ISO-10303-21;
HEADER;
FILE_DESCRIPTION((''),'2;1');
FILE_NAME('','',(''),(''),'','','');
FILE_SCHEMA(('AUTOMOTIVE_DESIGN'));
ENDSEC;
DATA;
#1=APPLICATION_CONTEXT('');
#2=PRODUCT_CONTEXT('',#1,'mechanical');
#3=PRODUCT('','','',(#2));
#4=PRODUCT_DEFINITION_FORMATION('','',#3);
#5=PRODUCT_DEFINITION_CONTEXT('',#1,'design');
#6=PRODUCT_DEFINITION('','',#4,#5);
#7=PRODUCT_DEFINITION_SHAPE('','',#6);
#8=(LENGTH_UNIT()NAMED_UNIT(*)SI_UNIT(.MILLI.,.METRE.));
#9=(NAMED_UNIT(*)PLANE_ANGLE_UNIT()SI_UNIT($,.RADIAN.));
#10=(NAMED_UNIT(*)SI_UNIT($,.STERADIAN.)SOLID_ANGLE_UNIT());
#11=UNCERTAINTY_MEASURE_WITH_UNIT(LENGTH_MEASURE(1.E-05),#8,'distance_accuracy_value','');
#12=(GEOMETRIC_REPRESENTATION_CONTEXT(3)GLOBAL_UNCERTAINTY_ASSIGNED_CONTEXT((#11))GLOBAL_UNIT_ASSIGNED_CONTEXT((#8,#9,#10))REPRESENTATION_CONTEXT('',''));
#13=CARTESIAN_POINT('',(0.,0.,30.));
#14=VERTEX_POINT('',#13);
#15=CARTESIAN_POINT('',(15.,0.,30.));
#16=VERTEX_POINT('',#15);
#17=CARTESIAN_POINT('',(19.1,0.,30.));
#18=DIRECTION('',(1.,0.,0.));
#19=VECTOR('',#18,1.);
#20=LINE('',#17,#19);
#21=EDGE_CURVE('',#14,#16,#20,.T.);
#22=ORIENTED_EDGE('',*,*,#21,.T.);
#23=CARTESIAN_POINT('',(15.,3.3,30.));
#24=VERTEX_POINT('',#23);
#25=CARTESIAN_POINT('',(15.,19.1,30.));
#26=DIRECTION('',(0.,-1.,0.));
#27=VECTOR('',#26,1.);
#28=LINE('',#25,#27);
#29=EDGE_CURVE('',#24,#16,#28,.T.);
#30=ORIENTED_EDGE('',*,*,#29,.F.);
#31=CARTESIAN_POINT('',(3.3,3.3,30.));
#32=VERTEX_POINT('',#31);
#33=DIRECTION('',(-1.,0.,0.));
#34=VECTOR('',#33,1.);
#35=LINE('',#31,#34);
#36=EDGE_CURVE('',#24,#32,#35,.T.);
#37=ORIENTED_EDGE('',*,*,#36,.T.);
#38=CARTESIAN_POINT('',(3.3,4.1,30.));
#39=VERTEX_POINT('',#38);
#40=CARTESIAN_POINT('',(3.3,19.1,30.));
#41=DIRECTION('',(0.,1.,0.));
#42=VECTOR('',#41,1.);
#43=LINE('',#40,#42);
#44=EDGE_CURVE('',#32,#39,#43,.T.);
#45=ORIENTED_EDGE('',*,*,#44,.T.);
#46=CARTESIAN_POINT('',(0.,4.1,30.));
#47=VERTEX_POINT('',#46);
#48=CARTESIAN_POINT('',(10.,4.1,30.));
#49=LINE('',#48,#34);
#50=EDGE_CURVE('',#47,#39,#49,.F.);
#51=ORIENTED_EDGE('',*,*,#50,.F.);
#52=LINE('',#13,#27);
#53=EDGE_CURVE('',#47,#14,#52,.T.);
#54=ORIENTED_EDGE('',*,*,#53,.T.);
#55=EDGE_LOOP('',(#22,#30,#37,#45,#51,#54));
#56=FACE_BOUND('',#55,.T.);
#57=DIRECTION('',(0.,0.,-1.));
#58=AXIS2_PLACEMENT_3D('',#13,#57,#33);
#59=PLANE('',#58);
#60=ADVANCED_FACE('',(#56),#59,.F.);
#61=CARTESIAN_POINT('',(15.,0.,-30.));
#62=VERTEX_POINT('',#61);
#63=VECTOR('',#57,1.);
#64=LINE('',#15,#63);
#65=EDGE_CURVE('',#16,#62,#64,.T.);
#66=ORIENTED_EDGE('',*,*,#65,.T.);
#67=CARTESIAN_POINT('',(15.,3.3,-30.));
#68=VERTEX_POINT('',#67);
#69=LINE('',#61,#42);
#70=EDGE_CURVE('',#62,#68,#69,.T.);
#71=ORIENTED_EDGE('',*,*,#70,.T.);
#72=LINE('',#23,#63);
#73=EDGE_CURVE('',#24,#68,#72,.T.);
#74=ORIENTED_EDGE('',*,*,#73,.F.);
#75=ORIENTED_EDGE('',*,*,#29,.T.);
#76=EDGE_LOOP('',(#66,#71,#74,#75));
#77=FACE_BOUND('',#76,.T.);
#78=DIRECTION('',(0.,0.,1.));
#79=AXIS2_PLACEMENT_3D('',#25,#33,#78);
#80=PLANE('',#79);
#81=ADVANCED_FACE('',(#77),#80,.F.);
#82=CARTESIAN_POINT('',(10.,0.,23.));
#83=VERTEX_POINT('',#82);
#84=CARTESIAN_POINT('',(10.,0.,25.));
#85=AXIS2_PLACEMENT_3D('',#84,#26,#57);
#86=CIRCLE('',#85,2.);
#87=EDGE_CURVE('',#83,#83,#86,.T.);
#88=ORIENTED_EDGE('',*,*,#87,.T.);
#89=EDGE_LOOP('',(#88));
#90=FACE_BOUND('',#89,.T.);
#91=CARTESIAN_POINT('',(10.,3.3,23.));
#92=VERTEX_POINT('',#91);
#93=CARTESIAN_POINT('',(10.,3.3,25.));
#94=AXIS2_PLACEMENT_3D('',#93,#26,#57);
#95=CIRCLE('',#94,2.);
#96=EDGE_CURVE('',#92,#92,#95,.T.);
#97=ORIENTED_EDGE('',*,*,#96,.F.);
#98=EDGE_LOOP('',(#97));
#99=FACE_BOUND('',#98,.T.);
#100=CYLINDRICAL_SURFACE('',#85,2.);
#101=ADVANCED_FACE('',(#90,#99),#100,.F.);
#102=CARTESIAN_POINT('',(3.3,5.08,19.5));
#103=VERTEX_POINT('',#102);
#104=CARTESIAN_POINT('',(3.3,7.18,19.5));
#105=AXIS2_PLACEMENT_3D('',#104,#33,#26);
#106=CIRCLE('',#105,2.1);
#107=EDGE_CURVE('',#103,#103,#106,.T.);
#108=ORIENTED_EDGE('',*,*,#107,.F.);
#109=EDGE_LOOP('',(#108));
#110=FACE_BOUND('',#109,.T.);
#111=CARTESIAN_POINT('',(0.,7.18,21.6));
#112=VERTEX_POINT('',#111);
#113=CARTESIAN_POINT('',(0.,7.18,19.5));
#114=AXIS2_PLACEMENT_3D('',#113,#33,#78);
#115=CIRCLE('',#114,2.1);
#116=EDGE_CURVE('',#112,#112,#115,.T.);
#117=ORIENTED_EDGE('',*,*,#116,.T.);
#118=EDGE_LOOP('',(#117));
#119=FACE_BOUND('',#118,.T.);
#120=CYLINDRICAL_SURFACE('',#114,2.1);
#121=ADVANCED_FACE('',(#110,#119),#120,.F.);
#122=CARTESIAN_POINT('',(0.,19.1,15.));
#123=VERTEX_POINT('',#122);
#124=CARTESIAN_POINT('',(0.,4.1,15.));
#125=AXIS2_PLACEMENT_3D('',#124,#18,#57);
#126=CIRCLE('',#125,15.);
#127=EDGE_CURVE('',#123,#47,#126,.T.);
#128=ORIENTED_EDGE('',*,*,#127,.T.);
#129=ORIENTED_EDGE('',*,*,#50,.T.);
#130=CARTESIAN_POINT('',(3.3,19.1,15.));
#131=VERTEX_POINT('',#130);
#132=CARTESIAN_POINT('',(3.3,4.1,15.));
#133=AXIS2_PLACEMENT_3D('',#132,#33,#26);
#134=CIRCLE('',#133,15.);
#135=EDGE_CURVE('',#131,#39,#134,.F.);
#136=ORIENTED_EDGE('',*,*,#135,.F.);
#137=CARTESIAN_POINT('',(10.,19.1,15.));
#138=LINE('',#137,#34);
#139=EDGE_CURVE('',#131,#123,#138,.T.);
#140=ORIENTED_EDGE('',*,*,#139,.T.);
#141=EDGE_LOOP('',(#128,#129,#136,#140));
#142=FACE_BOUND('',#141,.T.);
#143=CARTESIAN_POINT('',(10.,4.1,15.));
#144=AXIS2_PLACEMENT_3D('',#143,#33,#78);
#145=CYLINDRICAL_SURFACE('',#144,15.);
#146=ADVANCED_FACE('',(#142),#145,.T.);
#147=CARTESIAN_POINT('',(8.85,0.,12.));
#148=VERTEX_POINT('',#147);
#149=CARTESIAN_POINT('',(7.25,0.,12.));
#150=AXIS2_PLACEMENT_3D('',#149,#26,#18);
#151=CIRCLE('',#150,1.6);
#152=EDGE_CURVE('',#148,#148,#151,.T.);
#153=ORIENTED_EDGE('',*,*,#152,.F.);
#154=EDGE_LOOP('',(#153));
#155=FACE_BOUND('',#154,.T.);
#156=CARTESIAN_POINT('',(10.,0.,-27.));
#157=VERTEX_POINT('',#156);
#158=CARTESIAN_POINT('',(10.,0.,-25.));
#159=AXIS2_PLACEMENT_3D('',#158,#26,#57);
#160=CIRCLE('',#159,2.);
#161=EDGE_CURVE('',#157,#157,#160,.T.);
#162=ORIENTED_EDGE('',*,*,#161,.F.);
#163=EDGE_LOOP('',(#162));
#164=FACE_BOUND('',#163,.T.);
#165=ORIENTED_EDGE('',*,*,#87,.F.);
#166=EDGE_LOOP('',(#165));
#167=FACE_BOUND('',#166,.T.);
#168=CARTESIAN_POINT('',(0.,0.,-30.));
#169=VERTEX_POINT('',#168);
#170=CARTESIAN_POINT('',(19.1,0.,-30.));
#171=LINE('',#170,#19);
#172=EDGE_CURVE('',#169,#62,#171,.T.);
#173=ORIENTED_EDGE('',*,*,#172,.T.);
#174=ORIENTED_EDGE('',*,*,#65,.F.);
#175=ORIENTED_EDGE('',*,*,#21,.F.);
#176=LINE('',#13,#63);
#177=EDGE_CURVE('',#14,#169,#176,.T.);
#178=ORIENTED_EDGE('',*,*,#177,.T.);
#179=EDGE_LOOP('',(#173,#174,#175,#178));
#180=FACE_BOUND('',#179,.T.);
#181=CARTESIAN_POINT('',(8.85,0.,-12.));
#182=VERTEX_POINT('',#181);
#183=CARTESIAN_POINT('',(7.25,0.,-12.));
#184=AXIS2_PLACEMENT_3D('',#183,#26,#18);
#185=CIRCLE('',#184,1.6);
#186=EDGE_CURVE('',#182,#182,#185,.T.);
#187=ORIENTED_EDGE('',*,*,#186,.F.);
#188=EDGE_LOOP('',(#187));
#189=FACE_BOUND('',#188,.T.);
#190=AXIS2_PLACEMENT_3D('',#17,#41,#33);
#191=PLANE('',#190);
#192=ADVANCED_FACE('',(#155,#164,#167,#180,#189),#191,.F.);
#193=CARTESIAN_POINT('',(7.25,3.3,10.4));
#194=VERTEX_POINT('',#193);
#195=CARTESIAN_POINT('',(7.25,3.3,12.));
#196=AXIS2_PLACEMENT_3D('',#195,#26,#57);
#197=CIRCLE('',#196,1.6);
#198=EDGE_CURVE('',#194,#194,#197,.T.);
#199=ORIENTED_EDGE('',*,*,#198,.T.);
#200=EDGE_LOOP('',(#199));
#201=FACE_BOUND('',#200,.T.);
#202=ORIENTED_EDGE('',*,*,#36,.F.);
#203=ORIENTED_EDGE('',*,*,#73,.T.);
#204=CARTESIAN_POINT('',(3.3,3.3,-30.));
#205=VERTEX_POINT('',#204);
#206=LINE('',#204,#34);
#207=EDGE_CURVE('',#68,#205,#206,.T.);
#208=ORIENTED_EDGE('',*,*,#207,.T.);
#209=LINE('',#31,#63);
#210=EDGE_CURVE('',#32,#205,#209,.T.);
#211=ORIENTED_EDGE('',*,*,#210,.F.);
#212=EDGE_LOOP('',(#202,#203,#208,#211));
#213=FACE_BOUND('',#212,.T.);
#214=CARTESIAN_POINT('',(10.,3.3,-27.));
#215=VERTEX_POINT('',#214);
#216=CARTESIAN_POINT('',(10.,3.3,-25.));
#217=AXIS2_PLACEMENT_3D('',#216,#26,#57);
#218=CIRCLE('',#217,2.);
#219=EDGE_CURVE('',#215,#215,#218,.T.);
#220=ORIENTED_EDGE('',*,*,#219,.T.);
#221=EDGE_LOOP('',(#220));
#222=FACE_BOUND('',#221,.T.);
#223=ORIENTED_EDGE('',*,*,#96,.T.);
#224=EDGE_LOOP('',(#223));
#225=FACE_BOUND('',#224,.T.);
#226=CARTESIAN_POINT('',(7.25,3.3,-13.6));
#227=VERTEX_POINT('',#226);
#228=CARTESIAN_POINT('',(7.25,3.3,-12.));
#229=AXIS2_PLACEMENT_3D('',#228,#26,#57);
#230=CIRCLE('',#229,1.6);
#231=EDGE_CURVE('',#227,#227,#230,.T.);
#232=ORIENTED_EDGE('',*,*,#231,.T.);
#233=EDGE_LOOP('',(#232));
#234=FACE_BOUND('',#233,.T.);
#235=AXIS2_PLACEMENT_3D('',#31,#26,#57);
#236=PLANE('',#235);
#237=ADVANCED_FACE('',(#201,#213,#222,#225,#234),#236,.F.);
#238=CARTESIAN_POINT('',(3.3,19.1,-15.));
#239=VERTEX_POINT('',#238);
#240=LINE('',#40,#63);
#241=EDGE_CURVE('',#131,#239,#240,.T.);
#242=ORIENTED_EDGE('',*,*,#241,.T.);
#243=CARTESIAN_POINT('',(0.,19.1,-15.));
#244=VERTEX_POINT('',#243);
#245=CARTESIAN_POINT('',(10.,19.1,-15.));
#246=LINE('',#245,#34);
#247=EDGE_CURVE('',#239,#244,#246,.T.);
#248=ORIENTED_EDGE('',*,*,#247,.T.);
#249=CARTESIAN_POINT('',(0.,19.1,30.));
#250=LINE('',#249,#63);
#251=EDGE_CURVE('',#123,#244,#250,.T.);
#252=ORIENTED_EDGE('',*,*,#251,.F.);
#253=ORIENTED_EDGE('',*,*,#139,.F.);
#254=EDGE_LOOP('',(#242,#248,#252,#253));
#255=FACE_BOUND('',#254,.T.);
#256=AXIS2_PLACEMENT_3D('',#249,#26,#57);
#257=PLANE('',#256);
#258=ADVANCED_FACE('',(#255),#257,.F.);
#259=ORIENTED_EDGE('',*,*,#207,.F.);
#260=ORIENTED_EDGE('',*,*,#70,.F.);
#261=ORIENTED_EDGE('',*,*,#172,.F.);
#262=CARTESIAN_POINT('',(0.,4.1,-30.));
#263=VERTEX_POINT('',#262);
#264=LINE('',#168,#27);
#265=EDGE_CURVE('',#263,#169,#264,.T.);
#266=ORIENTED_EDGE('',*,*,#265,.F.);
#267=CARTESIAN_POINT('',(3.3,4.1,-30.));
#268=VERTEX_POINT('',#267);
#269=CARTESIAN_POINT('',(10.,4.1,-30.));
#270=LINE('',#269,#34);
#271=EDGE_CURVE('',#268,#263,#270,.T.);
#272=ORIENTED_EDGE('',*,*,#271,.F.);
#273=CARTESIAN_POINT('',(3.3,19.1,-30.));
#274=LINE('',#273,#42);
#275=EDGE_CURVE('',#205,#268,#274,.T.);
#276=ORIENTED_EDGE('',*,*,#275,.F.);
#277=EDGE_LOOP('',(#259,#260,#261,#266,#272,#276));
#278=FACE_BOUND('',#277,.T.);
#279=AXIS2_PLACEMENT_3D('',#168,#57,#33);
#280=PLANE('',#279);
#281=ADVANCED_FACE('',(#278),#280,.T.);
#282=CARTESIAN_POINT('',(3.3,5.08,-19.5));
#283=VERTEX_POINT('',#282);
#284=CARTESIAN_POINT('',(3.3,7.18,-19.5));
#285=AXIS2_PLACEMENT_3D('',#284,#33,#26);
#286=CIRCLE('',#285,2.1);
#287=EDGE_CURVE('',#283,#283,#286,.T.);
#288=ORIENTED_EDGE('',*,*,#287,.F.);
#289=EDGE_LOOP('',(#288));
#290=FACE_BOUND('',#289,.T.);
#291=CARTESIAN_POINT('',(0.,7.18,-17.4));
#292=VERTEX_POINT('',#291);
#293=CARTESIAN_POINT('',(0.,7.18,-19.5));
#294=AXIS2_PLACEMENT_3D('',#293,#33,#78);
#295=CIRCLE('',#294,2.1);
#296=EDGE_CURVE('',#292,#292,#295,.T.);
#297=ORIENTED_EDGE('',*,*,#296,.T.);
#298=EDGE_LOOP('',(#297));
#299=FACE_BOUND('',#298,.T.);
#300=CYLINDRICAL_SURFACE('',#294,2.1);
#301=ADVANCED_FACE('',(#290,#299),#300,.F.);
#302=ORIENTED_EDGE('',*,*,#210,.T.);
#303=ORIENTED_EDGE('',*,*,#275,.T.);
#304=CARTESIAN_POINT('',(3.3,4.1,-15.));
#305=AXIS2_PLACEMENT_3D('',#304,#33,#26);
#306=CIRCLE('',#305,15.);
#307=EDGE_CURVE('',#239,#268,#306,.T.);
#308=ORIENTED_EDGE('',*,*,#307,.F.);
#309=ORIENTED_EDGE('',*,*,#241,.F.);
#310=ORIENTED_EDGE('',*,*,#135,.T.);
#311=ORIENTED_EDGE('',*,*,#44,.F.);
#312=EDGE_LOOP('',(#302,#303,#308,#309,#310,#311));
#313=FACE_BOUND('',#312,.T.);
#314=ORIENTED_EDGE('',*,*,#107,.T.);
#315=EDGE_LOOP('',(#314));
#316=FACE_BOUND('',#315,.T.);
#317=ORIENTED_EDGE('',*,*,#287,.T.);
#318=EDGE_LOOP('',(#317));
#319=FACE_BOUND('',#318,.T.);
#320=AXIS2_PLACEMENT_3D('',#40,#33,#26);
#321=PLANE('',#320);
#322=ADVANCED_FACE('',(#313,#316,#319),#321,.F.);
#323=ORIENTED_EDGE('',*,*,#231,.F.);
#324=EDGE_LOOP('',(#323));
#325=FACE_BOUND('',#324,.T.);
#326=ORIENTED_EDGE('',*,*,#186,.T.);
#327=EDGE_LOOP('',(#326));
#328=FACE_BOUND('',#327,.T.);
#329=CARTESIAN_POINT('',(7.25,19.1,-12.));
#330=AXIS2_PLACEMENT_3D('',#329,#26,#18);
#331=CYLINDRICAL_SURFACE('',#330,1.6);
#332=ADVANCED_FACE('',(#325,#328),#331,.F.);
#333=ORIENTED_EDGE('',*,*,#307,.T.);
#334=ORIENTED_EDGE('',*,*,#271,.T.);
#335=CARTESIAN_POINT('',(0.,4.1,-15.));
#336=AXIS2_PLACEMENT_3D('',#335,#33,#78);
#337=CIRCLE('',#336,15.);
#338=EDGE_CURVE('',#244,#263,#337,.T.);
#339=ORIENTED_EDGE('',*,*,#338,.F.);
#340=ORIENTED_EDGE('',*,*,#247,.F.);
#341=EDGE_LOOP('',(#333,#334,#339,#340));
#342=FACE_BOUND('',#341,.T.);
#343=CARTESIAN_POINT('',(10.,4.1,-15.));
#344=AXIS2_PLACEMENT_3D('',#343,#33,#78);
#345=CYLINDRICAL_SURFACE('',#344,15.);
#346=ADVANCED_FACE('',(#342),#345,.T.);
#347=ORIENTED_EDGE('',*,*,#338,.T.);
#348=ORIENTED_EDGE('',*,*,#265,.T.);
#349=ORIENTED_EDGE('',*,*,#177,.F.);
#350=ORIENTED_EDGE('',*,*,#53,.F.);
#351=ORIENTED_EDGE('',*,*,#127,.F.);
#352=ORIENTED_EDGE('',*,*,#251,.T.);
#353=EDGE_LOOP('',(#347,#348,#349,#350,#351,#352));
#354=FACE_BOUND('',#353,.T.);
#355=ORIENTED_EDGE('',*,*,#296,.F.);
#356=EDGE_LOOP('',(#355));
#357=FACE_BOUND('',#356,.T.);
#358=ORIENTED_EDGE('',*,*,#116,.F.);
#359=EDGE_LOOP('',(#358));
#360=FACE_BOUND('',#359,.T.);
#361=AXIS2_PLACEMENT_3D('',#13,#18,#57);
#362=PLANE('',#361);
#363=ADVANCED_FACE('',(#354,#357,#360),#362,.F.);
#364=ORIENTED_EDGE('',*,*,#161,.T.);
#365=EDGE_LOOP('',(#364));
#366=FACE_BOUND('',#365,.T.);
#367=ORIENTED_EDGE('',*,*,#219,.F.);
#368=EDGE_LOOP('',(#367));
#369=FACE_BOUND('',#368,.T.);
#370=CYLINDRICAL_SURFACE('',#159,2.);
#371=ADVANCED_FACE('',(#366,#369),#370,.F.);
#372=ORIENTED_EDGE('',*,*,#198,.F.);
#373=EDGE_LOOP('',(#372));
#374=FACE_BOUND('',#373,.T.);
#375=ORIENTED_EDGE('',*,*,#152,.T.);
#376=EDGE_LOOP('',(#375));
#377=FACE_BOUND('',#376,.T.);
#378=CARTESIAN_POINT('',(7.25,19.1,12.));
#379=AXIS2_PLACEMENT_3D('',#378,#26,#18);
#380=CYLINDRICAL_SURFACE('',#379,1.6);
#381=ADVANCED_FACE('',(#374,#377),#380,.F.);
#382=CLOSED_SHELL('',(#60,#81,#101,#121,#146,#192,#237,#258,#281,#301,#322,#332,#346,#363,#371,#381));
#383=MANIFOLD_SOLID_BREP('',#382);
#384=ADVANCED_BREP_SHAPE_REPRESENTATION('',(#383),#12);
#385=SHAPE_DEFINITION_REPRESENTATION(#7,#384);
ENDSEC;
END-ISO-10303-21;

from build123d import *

# Parameters (mm, degrees)
EXTRUDE1_DEPTH               = 30
SKETCH2_W                    = 4.1
SKETCH2_H                    = 60
CUT_FOR_WALKER_CHASSIS_DEPTH = 41.368552117
F_4_2_4_2_DIAMETER_HOLE1_D   = 4.2
M4X0_7_TAPPED_HOLE1_D        = 4
SKETCH7_R                    = 1.6
CUT_EXTRUDE1_DEPTH           = 39.598056946
CUT_EXTRUDE_2_DEPTH          = 10


with BuildPart() as part:
    # Sketch1 → Extrude1 (new, symmetric)
    with BuildSketch(Plane.XY):
        Polygon((0, 0), (0, 19.1), (3.3, 19.1), (3.3, 3.3), (19.1, 3.3), (19.1, 0), align=None)
    extrude(amount=EXTRUDE1_DEPTH, both=True)

    # Sketch2 → Cut for walker chassis (cut, through all)
    with BuildSketch(Plane.XZ):
        with Locations((17.05, 0)):
            Rectangle(SKETCH2_W, SKETCH2_H)
    extrude(amount=-CUT_FOR_WALKER_CHASSIS_DEPTH, mode=Mode.SUBTRACT)

    # Ø4.2 (4.2) Diameter Hole1 (through all)
    with Locations(Plane.ZY):
        with Locations((-19.5, 7.18), (19.5, 7.18)):
            Hole(F_4_2_4_2_DIAMETER_HOLE1_D / 2)

    # M4x0.7 Tapped Hole1 (through all)
    with Locations(Plane.XZ):
        with Locations((10, 25), (10, -25)):
            Hole(M4X0_7_TAPPED_HOLE1_D / 2)

    # Sketch7 → Cut-Extrude1 (cut, through all)
    with BuildSketch(Plane.XZ):
        with Locations((7.25, -12)):
            Circle(SKETCH7_R)
        with Locations((7.25, 12)):
            Circle(SKETCH7_R)
    extrude(amount=-CUT_EXTRUDE1_DEPTH, mode=Mode.SUBTRACT)

    # Эскиз3 → Вырез-Вытянуть2 (cut)
    with BuildSketch(Plane(origin=(0, 0, 0), x_dir=(0, 0, -1), z_dir=(1, 0, 0))):
        with BuildLine():
            Line((-30, 19.1), (-30, 4.1))
            ThreePointArc((-30, 4.1), (-25.606601718, 14.706601718), (-15, 19.1))
            Line((-15, 19.1), (-30, 19.1))
        make_face()
    cut_extrude_2 = extrude(amount=CUT_EXTRUDE_2_DEPTH, mode=Mode.SUBTRACT)

    # Зеркальное отражение1: Вырез-Вытянуть2 across plane
    add(cut_extrude_2.mirror(Plane.XY), mode=Mode.SUBTRACT)


solid = part.part
